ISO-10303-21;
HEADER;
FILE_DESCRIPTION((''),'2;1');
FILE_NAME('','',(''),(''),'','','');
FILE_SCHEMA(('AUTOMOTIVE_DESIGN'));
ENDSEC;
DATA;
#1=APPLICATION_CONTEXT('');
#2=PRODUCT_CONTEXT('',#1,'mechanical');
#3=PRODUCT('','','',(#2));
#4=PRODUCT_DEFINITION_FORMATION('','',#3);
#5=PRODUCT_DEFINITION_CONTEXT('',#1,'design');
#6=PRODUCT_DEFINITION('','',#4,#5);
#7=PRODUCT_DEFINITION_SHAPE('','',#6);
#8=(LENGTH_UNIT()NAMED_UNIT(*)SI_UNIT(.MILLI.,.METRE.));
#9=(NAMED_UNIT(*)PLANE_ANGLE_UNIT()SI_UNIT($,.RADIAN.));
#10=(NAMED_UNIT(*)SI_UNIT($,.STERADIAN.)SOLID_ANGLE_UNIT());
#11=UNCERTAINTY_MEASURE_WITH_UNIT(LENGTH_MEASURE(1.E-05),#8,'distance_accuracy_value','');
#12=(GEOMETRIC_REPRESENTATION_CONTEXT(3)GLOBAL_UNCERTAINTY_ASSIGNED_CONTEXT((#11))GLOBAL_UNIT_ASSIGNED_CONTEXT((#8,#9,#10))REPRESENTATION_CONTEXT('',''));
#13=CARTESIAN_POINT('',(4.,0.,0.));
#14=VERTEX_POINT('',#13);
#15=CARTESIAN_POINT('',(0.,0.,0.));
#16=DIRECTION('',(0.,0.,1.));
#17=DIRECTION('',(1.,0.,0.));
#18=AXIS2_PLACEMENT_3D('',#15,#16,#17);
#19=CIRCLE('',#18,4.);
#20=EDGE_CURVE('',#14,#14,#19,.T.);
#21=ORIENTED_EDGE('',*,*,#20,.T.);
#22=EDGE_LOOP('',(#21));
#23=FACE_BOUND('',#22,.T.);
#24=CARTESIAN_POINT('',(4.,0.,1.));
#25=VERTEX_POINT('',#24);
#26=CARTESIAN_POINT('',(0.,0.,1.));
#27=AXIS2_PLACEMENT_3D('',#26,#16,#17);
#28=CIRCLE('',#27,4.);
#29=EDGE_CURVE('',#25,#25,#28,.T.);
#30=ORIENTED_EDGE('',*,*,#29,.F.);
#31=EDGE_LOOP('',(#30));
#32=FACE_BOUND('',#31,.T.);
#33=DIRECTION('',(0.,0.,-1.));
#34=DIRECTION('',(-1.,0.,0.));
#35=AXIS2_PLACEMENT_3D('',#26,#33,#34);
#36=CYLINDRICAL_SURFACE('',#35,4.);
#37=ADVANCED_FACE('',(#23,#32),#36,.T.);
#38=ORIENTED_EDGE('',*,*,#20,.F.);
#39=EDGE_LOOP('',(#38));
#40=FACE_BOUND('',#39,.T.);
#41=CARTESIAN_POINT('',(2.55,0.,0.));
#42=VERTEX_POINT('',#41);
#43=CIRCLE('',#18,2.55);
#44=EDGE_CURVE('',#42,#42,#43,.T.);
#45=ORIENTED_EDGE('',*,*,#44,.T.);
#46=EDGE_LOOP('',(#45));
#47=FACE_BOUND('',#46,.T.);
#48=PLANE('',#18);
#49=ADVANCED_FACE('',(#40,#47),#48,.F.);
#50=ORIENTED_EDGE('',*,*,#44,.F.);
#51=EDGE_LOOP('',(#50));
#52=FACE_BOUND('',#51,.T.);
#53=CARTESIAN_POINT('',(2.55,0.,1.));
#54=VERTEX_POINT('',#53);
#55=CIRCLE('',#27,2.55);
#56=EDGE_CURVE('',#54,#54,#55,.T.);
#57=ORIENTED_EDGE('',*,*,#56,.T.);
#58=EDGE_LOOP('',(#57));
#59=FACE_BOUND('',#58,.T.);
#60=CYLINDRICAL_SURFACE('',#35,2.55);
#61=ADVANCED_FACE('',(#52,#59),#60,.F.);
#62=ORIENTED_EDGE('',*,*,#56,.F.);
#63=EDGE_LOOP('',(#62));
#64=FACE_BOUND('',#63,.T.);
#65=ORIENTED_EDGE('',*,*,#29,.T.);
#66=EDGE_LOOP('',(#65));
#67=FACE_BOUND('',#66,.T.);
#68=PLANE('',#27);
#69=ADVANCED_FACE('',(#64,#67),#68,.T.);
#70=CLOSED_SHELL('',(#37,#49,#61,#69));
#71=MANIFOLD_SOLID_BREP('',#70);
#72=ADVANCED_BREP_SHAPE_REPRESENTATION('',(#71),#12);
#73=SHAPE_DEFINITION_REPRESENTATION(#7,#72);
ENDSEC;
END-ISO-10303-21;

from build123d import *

# Parameters (mm, degrees)
ESBO_O1_R                = 4
ESBO_O1_R_2              = 2.55
RESSALTO_EXTRUS_O1_DEPTH = 1


with BuildPart() as part:
    # Esboço1 → Ressalto-extrusão1 (new body)
    with BuildSketch(Plane.XY):
        Circle(ESBO_O1_R)
        Circle(ESBO_O1_R_2, mode=Mode.SUBTRACT)
    extrude(amount=RESSALTO_EXTRUS_O1_DEPTH)


solid = part.part
